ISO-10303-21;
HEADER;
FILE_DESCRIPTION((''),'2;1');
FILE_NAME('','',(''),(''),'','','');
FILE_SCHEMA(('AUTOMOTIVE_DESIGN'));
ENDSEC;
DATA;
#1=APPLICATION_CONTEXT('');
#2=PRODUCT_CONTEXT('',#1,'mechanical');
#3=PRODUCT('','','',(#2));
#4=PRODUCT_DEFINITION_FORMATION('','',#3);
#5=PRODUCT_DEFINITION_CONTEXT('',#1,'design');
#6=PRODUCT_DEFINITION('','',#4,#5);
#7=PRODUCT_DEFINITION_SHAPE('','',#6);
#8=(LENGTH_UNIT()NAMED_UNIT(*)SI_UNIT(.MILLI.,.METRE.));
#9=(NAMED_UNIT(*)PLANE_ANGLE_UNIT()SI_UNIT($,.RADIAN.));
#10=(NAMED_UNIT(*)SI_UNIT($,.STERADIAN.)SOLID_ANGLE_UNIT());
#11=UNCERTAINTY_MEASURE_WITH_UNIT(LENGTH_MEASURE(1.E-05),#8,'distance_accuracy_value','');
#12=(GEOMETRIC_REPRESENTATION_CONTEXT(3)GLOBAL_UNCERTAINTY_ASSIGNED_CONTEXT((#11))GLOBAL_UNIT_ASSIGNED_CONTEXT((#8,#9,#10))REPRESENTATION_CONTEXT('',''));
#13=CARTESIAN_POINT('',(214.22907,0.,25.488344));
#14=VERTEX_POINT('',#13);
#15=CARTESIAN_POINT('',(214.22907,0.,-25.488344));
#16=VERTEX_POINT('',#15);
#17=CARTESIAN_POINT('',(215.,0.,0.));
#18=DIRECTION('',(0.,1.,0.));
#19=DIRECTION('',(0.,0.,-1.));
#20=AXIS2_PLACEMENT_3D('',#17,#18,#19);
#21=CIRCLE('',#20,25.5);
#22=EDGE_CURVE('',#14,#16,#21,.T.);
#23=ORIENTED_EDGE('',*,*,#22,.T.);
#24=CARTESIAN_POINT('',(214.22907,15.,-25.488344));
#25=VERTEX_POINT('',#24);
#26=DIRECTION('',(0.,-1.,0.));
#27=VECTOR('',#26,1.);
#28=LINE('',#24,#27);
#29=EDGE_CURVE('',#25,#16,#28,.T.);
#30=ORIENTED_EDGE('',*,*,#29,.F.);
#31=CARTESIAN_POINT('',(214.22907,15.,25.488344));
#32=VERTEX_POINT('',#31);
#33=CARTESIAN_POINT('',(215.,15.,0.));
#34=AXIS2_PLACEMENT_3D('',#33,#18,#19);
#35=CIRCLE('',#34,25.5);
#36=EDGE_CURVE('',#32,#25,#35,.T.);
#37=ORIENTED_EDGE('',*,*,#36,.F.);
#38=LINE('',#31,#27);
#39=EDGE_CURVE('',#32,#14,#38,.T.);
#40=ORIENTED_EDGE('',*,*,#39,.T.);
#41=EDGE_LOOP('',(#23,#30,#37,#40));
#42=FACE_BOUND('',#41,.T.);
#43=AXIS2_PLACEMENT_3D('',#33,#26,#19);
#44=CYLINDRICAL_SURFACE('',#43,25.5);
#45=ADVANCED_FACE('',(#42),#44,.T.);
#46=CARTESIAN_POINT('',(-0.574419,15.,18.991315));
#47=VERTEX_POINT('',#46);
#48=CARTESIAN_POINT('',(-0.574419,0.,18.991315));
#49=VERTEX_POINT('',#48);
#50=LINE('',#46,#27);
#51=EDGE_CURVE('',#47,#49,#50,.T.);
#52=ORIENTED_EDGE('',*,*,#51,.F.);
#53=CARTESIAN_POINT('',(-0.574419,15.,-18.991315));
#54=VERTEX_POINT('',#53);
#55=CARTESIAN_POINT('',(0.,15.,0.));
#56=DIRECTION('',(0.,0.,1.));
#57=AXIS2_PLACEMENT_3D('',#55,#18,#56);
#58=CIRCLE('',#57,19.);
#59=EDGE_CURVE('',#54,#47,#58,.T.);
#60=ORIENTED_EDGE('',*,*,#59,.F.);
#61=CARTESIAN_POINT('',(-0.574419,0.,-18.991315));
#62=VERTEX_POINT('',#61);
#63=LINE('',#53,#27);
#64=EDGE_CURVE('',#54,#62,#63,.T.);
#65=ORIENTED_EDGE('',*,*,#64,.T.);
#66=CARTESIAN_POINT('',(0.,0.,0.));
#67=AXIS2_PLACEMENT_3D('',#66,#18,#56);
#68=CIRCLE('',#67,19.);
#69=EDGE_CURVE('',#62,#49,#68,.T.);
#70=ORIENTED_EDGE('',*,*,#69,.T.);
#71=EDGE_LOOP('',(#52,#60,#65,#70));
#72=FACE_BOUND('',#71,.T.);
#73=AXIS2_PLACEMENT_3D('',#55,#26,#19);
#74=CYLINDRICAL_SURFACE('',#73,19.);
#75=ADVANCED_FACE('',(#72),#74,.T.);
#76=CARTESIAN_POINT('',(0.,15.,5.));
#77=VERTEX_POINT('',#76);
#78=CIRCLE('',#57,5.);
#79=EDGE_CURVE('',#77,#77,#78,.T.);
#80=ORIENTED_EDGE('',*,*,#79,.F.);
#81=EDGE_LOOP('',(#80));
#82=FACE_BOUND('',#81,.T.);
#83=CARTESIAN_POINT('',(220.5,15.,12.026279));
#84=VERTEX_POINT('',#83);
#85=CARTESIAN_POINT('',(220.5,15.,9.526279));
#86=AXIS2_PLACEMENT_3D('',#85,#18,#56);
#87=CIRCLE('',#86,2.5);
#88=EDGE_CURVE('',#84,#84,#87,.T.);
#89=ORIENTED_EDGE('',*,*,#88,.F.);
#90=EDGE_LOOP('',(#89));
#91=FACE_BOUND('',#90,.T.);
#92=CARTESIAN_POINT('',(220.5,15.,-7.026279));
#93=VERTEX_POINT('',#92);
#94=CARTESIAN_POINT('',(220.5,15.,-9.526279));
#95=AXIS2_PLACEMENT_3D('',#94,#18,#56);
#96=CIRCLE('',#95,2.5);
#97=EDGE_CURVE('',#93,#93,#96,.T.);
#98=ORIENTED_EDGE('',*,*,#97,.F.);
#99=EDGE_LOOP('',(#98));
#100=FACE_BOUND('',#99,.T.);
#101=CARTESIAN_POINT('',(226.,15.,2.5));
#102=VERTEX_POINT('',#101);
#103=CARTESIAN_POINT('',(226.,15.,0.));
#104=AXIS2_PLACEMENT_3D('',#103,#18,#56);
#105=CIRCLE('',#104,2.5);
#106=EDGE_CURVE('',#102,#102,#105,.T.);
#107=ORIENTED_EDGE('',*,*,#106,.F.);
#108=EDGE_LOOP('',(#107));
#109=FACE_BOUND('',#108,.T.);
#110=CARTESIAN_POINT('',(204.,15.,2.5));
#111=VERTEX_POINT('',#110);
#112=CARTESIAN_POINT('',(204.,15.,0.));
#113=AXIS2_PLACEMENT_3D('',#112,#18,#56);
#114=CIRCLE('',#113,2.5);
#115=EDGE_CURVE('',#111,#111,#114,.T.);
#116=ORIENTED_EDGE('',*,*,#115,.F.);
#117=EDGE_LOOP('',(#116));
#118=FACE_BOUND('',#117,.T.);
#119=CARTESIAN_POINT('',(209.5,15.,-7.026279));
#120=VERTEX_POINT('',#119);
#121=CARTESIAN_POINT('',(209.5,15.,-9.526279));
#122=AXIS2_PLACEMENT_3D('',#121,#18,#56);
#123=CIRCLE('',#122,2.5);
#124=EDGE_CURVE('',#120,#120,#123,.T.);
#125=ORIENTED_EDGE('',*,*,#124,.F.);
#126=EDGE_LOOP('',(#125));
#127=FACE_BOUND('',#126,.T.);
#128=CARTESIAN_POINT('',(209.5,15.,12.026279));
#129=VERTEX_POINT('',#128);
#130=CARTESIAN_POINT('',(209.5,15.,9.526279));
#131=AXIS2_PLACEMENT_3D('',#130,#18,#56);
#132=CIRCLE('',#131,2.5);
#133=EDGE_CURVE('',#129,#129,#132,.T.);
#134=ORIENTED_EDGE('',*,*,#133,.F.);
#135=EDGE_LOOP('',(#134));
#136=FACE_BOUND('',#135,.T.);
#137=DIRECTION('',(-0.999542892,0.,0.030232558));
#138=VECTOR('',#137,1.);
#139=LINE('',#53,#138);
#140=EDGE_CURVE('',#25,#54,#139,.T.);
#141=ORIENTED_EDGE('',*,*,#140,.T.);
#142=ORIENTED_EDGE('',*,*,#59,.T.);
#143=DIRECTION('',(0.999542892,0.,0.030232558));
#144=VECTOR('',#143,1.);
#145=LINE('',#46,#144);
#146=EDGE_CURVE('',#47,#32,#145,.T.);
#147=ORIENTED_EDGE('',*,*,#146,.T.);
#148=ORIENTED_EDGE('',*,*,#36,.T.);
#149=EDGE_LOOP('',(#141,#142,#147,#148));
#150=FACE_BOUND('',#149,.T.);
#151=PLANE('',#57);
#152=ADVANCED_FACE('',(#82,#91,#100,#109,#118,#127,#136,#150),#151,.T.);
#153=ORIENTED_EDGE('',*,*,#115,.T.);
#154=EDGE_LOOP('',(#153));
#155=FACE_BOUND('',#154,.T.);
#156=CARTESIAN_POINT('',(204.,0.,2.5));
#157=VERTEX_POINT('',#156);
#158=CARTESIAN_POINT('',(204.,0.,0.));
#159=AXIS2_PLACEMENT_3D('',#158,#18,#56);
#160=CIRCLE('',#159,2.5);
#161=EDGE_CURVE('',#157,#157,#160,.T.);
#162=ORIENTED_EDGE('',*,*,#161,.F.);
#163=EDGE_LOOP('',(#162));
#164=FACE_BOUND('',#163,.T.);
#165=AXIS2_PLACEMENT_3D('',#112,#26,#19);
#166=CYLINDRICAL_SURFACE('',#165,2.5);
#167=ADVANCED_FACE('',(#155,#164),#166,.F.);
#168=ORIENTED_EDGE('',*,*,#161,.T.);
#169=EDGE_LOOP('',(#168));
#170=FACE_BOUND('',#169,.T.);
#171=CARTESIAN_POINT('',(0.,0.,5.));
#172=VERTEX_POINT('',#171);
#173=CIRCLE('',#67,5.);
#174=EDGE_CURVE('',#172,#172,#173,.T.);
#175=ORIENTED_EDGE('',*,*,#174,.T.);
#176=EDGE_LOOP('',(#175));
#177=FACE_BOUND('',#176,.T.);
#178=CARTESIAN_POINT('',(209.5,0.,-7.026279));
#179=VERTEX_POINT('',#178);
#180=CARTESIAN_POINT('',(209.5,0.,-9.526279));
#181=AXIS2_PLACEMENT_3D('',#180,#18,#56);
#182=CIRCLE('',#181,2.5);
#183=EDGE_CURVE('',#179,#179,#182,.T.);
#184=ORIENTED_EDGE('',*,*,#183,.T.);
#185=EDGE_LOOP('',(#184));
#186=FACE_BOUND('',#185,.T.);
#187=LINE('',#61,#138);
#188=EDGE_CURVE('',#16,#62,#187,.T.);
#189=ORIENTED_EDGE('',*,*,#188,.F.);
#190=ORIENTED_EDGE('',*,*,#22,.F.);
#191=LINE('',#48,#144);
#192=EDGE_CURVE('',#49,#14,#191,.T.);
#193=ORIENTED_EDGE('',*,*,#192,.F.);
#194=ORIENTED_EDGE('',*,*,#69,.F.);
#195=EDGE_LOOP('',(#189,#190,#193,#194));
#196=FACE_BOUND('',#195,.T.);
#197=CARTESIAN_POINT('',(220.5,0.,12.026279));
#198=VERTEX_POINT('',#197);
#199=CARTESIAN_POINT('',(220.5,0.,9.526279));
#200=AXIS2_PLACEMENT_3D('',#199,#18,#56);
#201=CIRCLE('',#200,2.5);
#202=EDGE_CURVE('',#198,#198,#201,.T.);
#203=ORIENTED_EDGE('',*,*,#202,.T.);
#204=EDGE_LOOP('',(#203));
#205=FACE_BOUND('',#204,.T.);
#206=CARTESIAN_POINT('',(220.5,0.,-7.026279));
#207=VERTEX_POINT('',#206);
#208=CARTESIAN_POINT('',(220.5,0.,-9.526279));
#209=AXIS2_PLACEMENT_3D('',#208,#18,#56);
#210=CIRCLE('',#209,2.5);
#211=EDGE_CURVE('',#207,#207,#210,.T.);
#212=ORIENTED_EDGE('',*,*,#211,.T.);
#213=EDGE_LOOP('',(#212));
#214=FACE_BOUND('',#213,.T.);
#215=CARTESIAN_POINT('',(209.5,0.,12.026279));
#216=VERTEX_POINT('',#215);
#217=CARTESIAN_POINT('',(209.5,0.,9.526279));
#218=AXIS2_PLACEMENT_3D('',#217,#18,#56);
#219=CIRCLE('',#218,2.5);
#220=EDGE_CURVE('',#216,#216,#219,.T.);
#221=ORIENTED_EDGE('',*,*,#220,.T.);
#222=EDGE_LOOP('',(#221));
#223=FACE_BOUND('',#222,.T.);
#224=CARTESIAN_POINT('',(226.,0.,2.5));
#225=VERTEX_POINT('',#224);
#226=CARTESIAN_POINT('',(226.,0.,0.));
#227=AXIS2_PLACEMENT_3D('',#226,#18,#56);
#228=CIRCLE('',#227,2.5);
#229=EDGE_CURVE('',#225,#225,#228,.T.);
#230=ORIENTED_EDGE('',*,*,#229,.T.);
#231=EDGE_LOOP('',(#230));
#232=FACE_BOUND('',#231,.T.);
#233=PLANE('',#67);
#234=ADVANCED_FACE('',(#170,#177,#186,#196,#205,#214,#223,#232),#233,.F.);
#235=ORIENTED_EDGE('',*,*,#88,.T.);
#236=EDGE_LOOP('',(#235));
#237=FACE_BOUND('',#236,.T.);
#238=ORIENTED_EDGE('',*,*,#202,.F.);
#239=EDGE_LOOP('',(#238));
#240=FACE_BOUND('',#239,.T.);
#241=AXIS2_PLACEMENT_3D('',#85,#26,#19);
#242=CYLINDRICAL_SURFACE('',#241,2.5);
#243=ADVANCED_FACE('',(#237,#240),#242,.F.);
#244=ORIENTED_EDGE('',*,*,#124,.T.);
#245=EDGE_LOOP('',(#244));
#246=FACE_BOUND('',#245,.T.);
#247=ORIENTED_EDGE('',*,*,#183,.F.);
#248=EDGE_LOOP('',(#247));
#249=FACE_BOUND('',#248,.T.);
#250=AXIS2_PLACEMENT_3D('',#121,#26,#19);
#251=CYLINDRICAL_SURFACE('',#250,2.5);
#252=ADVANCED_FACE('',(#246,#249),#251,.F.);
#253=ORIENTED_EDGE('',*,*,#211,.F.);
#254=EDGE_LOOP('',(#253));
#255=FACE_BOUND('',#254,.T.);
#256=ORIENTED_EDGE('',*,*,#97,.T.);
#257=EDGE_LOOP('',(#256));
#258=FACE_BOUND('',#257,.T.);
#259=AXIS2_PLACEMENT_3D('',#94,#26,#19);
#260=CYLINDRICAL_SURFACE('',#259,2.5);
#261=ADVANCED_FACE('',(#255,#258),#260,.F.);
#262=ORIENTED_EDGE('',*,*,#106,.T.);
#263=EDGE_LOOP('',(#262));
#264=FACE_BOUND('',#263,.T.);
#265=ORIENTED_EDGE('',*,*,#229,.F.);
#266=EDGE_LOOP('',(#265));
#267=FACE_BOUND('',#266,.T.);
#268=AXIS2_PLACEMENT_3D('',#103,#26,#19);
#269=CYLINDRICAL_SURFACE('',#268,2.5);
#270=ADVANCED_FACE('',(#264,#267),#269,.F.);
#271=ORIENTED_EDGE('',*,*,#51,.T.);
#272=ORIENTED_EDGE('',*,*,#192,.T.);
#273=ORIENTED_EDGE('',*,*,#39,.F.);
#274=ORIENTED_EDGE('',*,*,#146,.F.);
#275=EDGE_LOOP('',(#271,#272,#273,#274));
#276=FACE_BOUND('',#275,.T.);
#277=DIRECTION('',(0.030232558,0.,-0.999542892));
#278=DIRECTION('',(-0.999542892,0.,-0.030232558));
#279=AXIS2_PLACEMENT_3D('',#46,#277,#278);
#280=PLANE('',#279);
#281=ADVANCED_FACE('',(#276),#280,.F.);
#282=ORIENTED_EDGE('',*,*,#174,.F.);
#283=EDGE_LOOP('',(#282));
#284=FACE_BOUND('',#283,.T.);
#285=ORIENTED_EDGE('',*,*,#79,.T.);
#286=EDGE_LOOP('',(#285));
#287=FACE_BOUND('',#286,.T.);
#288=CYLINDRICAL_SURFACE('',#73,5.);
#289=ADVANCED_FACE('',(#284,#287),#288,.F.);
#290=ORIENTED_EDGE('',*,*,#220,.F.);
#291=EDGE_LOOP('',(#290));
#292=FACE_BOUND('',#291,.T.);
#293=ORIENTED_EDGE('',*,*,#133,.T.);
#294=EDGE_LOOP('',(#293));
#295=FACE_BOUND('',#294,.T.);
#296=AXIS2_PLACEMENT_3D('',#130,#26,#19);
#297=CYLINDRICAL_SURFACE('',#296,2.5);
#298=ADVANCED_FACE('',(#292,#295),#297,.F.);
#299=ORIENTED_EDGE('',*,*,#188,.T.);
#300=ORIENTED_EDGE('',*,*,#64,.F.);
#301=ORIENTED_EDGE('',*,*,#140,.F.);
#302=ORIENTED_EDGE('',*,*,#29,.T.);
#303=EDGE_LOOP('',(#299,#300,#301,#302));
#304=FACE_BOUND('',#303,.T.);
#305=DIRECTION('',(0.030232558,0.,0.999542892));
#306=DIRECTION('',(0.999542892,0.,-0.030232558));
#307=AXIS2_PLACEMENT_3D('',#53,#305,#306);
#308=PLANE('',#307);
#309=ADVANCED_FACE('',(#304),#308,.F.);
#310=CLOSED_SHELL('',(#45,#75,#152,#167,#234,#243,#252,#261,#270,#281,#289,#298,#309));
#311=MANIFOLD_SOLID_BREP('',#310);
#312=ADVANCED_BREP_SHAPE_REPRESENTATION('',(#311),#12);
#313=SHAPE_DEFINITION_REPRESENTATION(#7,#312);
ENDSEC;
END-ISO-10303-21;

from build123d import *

# Parameters (mm, degrees)
SKETCH_1_R      = 5
SKETCH_1_R_2    = 2.5
EXTRUDE_1_DEPTH = 15


with BuildPart() as part:
    # 草图1 → 凸台-拉伸1 (new body)
    with BuildSketch(Plane(origin=(0, 0, 0), x_dir=(1, 0, 0), z_dir=(0, 1, 0))):
        with BuildLine():
            Line((-0.574418605, 18.991314943), (214.229069767, 25.488343739))
            ThreePointArc((214.229069767, 25.488343739), (240.5, 0), (214.229069767, -25.488343739))
            Line((214.229069767, -25.488343739), (-0.574418605, -18.991314943))
            ThreePointArc((-0.574418605, -18.991314943), (-19, 0), (-0.574418605, 18.991314943))
        make_face()
        with Locations(Location((0, 0, 0), (0, 0, 270))):
            Circle(SKETCH_1_R, mode=Mode.SUBTRACT)
        with Locations(Location((209.5, 9.526279442, 0), (0, 0, 270))):
            Circle(SKETCH_1_R_2, mode=Mode.SUBTRACT)
        with Locations(Location((220.5, 9.526279442, 0), (0, 0, 270))):
            Circle(SKETCH_1_R_2, mode=Mode.SUBTRACT)
        with Locations(Location((226, 0, 0), (0, 0, 270))):
            Circle(SKETCH_1_R_2, mode=Mode.SUBTRACT)
        with Locations(Location((220.5, -9.526279442, 0), (0, 0, 270))):
            Circle(SKETCH_1_R_2, mode=Mode.SUBTRACT)
        with Locations(Location((209.5, -9.526279442, 0), (0, 0, 270))):
            Circle(SKETCH_1_R_2, mode=Mode.SUBTRACT)
        with Locations(Location((204, 0, 0), (0, 0, 270))):
            Circle(SKETCH_1_R_2, mode=Mode.SUBTRACT)
    extrude(amount=EXTRUDE_1_DEPTH)


solid = part.part
